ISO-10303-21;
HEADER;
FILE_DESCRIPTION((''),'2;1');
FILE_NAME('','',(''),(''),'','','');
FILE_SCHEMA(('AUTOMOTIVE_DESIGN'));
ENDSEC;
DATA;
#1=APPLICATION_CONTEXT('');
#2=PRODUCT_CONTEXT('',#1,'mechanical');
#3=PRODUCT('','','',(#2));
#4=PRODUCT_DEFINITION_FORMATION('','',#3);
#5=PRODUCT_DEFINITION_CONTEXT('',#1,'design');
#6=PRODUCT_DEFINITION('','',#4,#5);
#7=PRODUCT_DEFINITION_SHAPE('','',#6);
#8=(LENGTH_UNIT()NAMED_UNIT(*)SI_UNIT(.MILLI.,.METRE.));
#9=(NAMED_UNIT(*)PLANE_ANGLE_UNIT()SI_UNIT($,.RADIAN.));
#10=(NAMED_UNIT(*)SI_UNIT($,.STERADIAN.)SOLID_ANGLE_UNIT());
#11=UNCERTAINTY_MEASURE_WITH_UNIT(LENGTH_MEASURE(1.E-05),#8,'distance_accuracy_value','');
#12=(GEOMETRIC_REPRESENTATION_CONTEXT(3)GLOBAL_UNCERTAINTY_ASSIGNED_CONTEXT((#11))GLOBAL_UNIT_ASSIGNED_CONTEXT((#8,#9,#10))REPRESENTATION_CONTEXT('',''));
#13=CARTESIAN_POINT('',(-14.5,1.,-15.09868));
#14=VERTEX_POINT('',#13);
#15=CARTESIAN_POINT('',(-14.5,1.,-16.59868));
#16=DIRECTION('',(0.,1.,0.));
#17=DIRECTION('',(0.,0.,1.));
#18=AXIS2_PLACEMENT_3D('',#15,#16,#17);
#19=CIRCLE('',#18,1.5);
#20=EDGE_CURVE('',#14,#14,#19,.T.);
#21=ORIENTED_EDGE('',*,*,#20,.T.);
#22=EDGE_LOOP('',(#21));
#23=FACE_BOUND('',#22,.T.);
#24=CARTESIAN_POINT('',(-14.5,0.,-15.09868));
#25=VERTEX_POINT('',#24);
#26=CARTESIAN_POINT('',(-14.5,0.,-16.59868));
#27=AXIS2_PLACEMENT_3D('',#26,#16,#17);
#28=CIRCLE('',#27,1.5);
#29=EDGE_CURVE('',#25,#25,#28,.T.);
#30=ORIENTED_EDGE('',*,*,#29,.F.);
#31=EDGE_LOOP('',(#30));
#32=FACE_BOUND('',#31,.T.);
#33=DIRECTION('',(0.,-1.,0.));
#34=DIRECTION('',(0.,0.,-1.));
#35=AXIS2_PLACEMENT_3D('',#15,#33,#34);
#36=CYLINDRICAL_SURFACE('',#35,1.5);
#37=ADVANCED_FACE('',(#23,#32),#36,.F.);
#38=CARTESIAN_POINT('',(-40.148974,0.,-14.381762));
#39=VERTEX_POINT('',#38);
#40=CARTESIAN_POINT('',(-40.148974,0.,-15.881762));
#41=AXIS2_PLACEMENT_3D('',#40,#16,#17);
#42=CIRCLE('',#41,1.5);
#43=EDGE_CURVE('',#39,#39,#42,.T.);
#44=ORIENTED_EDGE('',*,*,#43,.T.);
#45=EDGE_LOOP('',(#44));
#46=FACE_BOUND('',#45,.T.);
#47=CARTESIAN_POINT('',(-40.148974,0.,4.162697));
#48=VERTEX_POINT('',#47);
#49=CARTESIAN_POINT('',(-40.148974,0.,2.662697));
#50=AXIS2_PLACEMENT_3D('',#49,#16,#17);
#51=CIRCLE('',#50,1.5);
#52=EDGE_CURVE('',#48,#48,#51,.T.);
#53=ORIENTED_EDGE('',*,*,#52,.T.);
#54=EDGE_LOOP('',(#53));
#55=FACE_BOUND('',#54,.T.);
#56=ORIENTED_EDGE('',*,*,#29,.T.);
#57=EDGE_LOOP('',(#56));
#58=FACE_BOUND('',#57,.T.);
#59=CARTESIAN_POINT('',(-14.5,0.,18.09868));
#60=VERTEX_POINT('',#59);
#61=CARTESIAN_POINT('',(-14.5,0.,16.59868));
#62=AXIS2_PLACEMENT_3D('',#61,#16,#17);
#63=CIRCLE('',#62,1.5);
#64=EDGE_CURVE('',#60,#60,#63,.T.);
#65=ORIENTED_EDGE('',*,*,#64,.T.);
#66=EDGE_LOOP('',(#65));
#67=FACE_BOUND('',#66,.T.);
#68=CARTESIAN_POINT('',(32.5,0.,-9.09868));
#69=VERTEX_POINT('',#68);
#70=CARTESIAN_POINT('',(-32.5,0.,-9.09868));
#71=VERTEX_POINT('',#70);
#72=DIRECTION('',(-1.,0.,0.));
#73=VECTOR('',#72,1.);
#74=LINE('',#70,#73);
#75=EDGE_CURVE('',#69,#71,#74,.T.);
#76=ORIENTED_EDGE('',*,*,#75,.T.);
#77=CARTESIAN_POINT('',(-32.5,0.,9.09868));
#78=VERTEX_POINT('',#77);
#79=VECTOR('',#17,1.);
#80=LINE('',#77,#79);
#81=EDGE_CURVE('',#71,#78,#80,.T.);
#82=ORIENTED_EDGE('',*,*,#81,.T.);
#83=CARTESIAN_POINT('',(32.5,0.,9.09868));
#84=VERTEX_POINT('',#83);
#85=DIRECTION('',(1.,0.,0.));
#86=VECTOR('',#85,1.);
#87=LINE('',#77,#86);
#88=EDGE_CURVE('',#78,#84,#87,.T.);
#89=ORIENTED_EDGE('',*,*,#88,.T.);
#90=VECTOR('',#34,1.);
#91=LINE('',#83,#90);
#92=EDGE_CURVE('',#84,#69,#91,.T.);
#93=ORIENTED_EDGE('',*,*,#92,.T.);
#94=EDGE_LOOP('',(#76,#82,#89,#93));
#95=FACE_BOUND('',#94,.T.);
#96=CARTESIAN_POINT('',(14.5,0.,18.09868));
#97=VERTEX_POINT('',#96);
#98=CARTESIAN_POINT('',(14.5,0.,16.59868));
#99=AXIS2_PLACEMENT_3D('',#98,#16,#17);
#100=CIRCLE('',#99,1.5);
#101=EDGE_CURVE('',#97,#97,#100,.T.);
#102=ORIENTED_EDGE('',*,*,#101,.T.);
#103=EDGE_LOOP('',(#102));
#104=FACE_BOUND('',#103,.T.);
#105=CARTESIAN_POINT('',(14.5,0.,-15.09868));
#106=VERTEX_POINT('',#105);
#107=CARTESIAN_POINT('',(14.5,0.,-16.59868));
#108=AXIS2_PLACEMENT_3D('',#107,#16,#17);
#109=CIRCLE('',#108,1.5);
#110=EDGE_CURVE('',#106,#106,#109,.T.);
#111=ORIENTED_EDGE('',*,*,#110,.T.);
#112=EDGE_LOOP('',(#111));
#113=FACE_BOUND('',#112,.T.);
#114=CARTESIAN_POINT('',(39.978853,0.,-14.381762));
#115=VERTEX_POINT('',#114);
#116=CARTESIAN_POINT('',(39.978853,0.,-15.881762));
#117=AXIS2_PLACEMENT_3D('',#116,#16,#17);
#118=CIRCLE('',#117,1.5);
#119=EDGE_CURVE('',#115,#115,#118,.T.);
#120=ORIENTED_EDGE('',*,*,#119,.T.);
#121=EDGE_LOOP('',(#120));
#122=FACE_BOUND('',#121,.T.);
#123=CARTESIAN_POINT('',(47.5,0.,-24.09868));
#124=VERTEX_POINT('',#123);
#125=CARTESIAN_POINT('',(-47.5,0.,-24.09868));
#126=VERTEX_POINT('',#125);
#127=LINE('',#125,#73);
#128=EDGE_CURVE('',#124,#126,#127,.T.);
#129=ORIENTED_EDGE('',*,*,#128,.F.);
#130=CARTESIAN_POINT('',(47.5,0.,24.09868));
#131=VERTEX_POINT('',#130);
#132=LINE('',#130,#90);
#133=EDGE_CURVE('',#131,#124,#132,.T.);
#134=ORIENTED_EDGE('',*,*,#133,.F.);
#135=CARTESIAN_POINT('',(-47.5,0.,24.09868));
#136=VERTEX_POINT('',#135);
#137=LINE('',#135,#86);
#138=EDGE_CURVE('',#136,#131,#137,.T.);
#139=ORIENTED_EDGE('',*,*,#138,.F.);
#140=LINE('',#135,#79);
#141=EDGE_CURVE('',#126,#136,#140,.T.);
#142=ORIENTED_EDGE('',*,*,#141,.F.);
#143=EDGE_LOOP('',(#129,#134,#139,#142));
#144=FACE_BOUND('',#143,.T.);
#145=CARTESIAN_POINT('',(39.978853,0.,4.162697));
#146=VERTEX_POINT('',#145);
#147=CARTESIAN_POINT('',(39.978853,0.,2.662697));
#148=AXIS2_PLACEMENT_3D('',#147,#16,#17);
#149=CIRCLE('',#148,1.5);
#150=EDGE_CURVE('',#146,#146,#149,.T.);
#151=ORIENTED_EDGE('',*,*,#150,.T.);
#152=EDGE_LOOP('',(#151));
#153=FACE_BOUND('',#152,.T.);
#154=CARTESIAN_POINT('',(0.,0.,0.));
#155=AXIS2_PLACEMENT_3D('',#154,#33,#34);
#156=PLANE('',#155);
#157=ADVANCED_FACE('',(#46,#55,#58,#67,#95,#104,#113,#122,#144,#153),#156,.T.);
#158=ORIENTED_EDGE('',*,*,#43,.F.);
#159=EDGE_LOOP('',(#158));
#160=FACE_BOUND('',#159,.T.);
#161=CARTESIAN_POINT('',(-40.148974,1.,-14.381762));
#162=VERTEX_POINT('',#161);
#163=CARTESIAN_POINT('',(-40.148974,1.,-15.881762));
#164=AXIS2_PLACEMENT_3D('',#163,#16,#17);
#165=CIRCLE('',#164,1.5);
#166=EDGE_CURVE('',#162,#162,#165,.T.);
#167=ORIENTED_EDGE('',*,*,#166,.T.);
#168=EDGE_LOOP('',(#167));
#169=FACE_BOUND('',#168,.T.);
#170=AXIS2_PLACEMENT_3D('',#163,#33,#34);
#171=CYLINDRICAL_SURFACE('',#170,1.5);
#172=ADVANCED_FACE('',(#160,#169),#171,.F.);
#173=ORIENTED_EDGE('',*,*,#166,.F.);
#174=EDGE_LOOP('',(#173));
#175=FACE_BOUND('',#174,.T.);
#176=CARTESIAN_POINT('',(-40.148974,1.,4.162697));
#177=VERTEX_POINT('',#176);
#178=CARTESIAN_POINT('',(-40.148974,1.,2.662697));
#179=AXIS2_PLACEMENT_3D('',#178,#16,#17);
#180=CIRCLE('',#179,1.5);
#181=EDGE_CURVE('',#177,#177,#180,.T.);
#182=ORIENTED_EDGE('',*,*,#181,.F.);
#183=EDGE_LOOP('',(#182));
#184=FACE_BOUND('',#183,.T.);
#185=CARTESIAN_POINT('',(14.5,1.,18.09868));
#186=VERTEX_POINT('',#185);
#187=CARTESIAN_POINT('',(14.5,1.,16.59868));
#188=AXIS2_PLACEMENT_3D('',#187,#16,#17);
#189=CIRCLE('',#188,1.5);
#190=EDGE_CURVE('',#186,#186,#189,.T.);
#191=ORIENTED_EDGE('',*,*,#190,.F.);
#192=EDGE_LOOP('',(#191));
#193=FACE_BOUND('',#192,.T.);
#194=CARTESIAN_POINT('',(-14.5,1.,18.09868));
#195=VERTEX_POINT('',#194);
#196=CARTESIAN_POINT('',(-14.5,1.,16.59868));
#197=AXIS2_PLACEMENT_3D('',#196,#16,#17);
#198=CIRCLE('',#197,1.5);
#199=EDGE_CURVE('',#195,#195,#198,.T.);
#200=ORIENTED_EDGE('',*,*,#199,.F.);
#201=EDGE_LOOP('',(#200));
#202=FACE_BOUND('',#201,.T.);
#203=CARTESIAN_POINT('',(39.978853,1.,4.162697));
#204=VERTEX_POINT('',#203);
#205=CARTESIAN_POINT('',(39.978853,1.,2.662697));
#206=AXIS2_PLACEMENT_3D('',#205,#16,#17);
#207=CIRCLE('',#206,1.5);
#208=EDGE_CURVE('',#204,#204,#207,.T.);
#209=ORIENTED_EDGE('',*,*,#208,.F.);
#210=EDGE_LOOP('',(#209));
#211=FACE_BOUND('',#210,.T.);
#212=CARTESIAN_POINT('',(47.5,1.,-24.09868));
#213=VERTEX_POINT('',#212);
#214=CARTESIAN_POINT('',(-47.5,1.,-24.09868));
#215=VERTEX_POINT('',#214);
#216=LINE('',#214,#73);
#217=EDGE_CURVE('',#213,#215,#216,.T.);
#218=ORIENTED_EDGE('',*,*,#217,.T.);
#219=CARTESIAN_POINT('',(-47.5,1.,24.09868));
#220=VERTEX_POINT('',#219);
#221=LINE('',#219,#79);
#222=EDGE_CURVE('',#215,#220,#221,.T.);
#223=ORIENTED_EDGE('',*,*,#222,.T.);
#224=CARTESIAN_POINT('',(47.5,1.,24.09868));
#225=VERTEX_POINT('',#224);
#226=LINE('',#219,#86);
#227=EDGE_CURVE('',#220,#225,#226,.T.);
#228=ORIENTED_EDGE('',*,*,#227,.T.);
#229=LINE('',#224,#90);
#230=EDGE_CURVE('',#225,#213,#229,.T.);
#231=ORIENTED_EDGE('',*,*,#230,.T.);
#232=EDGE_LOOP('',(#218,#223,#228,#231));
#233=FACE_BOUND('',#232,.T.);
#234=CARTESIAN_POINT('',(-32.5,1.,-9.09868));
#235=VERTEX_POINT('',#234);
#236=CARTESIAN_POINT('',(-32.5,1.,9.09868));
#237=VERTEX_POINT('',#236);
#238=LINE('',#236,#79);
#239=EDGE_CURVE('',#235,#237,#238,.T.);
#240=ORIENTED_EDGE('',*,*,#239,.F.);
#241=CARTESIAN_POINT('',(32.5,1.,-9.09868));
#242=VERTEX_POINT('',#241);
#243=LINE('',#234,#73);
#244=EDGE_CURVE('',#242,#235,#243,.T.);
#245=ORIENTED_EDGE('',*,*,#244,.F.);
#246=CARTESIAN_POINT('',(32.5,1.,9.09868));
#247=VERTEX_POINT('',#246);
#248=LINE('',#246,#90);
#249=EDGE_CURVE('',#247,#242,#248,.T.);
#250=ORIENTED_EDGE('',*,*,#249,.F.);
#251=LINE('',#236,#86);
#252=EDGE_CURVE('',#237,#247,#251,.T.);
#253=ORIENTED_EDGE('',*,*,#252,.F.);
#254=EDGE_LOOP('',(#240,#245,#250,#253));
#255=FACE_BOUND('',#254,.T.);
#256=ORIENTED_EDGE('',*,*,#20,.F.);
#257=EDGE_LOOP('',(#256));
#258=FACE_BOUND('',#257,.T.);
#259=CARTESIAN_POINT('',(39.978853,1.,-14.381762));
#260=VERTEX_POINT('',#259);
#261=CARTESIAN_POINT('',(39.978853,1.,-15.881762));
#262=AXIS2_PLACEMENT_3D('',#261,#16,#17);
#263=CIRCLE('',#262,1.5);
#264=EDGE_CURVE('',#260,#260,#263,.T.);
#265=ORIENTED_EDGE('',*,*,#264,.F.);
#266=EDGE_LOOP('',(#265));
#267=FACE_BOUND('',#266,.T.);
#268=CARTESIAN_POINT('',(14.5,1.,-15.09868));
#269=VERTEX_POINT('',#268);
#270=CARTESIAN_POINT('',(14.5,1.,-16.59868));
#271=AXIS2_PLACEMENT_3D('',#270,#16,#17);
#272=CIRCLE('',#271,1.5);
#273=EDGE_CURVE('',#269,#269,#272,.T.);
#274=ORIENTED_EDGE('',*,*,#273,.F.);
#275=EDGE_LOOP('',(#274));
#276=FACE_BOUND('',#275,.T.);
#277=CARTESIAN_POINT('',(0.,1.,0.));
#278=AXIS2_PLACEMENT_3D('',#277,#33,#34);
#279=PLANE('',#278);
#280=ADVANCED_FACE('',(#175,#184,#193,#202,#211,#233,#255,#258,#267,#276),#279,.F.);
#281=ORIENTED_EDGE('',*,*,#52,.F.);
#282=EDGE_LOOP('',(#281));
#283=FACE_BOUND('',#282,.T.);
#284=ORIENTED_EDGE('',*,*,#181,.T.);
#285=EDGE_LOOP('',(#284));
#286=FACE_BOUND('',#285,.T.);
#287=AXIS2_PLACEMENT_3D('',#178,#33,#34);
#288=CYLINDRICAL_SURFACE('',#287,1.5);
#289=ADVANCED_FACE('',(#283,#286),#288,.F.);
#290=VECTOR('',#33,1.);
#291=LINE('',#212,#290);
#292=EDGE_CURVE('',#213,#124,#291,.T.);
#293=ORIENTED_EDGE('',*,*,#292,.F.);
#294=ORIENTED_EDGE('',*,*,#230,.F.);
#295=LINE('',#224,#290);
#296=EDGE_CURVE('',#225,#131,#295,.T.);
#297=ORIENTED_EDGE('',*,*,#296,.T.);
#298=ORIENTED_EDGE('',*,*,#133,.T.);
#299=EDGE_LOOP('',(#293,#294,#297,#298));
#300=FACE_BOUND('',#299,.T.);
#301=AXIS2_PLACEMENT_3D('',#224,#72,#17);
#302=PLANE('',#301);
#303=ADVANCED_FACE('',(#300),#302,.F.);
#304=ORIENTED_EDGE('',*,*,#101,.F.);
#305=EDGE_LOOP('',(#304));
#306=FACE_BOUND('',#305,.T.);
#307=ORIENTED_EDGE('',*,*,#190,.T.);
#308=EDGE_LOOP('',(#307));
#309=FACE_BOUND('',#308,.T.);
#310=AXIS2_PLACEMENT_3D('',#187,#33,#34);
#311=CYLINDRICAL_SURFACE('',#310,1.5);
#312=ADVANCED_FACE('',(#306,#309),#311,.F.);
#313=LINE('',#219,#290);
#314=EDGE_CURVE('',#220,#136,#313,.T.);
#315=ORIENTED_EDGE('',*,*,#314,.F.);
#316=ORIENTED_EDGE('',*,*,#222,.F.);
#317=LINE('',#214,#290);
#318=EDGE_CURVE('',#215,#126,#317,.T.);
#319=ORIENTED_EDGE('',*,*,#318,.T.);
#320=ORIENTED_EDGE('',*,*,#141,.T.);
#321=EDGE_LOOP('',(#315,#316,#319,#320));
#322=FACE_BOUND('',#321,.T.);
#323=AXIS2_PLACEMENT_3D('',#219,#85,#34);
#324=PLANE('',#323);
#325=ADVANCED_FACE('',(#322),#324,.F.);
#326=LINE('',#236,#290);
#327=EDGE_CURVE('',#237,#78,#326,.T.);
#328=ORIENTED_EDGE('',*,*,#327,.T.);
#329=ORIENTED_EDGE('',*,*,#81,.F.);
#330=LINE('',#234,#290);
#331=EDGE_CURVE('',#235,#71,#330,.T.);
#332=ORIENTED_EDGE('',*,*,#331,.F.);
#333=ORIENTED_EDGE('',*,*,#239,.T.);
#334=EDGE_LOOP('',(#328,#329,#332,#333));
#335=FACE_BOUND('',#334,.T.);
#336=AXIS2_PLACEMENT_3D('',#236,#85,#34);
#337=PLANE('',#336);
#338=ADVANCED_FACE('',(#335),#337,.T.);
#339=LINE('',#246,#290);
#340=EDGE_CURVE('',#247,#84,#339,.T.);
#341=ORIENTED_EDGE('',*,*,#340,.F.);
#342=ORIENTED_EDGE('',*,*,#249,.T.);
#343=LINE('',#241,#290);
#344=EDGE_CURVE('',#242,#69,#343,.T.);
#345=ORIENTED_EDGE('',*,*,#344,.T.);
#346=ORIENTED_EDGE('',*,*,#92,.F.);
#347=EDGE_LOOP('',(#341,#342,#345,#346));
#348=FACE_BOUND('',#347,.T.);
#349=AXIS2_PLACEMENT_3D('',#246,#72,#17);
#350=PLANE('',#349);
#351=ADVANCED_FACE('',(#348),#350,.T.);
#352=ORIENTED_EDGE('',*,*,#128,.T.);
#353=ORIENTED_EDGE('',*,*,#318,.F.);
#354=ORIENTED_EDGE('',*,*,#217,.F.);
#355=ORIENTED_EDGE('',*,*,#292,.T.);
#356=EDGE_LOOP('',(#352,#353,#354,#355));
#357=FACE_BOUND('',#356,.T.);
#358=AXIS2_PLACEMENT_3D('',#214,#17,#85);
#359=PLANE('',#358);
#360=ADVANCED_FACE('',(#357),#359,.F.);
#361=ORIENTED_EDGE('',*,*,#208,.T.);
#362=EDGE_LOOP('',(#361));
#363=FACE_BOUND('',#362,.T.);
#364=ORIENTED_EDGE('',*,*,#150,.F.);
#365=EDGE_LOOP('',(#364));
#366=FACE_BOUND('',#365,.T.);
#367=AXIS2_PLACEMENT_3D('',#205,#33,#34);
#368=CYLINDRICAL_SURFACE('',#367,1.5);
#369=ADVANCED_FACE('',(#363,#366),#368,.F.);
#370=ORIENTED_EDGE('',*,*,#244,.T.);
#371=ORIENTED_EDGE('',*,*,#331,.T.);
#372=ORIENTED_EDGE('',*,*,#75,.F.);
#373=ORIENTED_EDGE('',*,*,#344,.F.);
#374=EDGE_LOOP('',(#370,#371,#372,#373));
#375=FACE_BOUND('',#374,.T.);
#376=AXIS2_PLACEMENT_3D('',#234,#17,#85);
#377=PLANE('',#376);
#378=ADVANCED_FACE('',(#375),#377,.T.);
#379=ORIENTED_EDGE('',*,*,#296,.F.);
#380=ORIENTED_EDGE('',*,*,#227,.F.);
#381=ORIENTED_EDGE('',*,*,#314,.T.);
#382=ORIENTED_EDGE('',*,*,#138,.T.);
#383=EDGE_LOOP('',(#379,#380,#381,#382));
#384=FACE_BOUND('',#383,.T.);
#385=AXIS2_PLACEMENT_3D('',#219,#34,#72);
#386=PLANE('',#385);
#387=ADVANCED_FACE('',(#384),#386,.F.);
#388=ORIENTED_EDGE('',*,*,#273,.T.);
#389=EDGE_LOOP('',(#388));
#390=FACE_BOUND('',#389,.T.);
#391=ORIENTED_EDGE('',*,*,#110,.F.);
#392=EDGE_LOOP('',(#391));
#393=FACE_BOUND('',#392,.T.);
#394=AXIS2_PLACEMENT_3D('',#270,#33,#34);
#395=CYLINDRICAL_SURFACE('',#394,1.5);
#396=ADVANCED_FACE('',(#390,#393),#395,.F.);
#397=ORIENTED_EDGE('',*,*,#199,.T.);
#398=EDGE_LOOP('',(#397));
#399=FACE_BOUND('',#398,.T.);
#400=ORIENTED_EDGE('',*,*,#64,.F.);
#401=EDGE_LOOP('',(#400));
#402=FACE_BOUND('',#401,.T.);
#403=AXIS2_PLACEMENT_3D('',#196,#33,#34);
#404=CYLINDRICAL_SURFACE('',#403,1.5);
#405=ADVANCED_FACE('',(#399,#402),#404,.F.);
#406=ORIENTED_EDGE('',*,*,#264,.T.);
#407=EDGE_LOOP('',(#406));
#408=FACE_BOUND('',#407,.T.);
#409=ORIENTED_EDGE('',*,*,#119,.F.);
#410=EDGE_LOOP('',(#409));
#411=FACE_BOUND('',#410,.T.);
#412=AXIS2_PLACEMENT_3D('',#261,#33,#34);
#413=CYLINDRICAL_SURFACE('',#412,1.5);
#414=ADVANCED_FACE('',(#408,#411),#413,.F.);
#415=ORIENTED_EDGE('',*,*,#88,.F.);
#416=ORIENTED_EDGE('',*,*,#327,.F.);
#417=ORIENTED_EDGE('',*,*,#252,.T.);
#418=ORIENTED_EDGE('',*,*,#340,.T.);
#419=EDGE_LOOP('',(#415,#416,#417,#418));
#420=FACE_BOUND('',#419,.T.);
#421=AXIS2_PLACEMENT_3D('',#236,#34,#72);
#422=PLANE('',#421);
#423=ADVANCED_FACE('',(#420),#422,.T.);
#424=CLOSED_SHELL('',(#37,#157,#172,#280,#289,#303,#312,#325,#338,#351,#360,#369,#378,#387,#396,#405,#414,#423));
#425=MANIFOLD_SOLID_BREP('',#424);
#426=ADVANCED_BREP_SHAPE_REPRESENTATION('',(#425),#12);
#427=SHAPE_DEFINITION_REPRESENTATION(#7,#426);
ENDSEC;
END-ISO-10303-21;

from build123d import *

# Parameters (mm, degrees)
SKETCH2_W           = 94.999999992
SKETCH2_H           = 48.197360298
SKETCH2_R           = 1.5
SKETCH2_W_2         = 64.999999992
SKETCH2_H_2         = 18.197360298
BOSS_EXTRUDE2_DEPTH = 1


with BuildPart() as part:
    # Sketch2 → Boss-Extrude2 (new body)
    with BuildSketch(Plane(origin=(0, 0, 0), x_dir=(1, 0, 0), z_dir=(0, 1, 0))):
        Rectangle(SKETCH2_W, SKETCH2_H)
        with Locations(Location((-14.499999996, 16.598680149, 0), (0, 0, 270))):
            Circle(SKETCH2_R, mode=Mode.SUBTRACT)
        with Locations(Location((14.499999996, 16.598680149, 0), (0, 0, 270))):
            Circle(SKETCH2_R, mode=Mode.SUBTRACT)
        with Locations(Location((-40.148974228, 15.881761887, 0), (0, 0, 270))):
            Circle(SKETCH2_R, mode=Mode.SUBTRACT)
        with Locations(Location((-40.148974228, -2.662696697, 0), (0, 0, 270))):
            Circle(SKETCH2_R, mode=Mode.SUBTRACT)
        with Locations(Location((39.978852734, 15.881761887, 0), (0, 0, 270))):
            Circle(SKETCH2_R, mode=Mode.SUBTRACT)
        with Locations(Location((39.978852734, -2.662696697, 0), (0, 0, 270))):
            Circle(SKETCH2_R, mode=Mode.SUBTRACT)
        with Locations(Location((-14.499999996, -16.598680149, 0), (0, 0, 270))):
            Circle(SKETCH2_R, mode=Mode.SUBTRACT)
        with Locations(Location((14.499999996, -16.598680149, 0), (0, 0, 270))):
            Circle(SKETCH2_R, mode=Mode.SUBTRACT)
        Rectangle(SKETCH2_W_2, SKETCH2_H_2, mode=Mode.SUBTRACT)
    extrude(amount=BOSS_EXTRUDE2_DEPTH)


solid = part.part
